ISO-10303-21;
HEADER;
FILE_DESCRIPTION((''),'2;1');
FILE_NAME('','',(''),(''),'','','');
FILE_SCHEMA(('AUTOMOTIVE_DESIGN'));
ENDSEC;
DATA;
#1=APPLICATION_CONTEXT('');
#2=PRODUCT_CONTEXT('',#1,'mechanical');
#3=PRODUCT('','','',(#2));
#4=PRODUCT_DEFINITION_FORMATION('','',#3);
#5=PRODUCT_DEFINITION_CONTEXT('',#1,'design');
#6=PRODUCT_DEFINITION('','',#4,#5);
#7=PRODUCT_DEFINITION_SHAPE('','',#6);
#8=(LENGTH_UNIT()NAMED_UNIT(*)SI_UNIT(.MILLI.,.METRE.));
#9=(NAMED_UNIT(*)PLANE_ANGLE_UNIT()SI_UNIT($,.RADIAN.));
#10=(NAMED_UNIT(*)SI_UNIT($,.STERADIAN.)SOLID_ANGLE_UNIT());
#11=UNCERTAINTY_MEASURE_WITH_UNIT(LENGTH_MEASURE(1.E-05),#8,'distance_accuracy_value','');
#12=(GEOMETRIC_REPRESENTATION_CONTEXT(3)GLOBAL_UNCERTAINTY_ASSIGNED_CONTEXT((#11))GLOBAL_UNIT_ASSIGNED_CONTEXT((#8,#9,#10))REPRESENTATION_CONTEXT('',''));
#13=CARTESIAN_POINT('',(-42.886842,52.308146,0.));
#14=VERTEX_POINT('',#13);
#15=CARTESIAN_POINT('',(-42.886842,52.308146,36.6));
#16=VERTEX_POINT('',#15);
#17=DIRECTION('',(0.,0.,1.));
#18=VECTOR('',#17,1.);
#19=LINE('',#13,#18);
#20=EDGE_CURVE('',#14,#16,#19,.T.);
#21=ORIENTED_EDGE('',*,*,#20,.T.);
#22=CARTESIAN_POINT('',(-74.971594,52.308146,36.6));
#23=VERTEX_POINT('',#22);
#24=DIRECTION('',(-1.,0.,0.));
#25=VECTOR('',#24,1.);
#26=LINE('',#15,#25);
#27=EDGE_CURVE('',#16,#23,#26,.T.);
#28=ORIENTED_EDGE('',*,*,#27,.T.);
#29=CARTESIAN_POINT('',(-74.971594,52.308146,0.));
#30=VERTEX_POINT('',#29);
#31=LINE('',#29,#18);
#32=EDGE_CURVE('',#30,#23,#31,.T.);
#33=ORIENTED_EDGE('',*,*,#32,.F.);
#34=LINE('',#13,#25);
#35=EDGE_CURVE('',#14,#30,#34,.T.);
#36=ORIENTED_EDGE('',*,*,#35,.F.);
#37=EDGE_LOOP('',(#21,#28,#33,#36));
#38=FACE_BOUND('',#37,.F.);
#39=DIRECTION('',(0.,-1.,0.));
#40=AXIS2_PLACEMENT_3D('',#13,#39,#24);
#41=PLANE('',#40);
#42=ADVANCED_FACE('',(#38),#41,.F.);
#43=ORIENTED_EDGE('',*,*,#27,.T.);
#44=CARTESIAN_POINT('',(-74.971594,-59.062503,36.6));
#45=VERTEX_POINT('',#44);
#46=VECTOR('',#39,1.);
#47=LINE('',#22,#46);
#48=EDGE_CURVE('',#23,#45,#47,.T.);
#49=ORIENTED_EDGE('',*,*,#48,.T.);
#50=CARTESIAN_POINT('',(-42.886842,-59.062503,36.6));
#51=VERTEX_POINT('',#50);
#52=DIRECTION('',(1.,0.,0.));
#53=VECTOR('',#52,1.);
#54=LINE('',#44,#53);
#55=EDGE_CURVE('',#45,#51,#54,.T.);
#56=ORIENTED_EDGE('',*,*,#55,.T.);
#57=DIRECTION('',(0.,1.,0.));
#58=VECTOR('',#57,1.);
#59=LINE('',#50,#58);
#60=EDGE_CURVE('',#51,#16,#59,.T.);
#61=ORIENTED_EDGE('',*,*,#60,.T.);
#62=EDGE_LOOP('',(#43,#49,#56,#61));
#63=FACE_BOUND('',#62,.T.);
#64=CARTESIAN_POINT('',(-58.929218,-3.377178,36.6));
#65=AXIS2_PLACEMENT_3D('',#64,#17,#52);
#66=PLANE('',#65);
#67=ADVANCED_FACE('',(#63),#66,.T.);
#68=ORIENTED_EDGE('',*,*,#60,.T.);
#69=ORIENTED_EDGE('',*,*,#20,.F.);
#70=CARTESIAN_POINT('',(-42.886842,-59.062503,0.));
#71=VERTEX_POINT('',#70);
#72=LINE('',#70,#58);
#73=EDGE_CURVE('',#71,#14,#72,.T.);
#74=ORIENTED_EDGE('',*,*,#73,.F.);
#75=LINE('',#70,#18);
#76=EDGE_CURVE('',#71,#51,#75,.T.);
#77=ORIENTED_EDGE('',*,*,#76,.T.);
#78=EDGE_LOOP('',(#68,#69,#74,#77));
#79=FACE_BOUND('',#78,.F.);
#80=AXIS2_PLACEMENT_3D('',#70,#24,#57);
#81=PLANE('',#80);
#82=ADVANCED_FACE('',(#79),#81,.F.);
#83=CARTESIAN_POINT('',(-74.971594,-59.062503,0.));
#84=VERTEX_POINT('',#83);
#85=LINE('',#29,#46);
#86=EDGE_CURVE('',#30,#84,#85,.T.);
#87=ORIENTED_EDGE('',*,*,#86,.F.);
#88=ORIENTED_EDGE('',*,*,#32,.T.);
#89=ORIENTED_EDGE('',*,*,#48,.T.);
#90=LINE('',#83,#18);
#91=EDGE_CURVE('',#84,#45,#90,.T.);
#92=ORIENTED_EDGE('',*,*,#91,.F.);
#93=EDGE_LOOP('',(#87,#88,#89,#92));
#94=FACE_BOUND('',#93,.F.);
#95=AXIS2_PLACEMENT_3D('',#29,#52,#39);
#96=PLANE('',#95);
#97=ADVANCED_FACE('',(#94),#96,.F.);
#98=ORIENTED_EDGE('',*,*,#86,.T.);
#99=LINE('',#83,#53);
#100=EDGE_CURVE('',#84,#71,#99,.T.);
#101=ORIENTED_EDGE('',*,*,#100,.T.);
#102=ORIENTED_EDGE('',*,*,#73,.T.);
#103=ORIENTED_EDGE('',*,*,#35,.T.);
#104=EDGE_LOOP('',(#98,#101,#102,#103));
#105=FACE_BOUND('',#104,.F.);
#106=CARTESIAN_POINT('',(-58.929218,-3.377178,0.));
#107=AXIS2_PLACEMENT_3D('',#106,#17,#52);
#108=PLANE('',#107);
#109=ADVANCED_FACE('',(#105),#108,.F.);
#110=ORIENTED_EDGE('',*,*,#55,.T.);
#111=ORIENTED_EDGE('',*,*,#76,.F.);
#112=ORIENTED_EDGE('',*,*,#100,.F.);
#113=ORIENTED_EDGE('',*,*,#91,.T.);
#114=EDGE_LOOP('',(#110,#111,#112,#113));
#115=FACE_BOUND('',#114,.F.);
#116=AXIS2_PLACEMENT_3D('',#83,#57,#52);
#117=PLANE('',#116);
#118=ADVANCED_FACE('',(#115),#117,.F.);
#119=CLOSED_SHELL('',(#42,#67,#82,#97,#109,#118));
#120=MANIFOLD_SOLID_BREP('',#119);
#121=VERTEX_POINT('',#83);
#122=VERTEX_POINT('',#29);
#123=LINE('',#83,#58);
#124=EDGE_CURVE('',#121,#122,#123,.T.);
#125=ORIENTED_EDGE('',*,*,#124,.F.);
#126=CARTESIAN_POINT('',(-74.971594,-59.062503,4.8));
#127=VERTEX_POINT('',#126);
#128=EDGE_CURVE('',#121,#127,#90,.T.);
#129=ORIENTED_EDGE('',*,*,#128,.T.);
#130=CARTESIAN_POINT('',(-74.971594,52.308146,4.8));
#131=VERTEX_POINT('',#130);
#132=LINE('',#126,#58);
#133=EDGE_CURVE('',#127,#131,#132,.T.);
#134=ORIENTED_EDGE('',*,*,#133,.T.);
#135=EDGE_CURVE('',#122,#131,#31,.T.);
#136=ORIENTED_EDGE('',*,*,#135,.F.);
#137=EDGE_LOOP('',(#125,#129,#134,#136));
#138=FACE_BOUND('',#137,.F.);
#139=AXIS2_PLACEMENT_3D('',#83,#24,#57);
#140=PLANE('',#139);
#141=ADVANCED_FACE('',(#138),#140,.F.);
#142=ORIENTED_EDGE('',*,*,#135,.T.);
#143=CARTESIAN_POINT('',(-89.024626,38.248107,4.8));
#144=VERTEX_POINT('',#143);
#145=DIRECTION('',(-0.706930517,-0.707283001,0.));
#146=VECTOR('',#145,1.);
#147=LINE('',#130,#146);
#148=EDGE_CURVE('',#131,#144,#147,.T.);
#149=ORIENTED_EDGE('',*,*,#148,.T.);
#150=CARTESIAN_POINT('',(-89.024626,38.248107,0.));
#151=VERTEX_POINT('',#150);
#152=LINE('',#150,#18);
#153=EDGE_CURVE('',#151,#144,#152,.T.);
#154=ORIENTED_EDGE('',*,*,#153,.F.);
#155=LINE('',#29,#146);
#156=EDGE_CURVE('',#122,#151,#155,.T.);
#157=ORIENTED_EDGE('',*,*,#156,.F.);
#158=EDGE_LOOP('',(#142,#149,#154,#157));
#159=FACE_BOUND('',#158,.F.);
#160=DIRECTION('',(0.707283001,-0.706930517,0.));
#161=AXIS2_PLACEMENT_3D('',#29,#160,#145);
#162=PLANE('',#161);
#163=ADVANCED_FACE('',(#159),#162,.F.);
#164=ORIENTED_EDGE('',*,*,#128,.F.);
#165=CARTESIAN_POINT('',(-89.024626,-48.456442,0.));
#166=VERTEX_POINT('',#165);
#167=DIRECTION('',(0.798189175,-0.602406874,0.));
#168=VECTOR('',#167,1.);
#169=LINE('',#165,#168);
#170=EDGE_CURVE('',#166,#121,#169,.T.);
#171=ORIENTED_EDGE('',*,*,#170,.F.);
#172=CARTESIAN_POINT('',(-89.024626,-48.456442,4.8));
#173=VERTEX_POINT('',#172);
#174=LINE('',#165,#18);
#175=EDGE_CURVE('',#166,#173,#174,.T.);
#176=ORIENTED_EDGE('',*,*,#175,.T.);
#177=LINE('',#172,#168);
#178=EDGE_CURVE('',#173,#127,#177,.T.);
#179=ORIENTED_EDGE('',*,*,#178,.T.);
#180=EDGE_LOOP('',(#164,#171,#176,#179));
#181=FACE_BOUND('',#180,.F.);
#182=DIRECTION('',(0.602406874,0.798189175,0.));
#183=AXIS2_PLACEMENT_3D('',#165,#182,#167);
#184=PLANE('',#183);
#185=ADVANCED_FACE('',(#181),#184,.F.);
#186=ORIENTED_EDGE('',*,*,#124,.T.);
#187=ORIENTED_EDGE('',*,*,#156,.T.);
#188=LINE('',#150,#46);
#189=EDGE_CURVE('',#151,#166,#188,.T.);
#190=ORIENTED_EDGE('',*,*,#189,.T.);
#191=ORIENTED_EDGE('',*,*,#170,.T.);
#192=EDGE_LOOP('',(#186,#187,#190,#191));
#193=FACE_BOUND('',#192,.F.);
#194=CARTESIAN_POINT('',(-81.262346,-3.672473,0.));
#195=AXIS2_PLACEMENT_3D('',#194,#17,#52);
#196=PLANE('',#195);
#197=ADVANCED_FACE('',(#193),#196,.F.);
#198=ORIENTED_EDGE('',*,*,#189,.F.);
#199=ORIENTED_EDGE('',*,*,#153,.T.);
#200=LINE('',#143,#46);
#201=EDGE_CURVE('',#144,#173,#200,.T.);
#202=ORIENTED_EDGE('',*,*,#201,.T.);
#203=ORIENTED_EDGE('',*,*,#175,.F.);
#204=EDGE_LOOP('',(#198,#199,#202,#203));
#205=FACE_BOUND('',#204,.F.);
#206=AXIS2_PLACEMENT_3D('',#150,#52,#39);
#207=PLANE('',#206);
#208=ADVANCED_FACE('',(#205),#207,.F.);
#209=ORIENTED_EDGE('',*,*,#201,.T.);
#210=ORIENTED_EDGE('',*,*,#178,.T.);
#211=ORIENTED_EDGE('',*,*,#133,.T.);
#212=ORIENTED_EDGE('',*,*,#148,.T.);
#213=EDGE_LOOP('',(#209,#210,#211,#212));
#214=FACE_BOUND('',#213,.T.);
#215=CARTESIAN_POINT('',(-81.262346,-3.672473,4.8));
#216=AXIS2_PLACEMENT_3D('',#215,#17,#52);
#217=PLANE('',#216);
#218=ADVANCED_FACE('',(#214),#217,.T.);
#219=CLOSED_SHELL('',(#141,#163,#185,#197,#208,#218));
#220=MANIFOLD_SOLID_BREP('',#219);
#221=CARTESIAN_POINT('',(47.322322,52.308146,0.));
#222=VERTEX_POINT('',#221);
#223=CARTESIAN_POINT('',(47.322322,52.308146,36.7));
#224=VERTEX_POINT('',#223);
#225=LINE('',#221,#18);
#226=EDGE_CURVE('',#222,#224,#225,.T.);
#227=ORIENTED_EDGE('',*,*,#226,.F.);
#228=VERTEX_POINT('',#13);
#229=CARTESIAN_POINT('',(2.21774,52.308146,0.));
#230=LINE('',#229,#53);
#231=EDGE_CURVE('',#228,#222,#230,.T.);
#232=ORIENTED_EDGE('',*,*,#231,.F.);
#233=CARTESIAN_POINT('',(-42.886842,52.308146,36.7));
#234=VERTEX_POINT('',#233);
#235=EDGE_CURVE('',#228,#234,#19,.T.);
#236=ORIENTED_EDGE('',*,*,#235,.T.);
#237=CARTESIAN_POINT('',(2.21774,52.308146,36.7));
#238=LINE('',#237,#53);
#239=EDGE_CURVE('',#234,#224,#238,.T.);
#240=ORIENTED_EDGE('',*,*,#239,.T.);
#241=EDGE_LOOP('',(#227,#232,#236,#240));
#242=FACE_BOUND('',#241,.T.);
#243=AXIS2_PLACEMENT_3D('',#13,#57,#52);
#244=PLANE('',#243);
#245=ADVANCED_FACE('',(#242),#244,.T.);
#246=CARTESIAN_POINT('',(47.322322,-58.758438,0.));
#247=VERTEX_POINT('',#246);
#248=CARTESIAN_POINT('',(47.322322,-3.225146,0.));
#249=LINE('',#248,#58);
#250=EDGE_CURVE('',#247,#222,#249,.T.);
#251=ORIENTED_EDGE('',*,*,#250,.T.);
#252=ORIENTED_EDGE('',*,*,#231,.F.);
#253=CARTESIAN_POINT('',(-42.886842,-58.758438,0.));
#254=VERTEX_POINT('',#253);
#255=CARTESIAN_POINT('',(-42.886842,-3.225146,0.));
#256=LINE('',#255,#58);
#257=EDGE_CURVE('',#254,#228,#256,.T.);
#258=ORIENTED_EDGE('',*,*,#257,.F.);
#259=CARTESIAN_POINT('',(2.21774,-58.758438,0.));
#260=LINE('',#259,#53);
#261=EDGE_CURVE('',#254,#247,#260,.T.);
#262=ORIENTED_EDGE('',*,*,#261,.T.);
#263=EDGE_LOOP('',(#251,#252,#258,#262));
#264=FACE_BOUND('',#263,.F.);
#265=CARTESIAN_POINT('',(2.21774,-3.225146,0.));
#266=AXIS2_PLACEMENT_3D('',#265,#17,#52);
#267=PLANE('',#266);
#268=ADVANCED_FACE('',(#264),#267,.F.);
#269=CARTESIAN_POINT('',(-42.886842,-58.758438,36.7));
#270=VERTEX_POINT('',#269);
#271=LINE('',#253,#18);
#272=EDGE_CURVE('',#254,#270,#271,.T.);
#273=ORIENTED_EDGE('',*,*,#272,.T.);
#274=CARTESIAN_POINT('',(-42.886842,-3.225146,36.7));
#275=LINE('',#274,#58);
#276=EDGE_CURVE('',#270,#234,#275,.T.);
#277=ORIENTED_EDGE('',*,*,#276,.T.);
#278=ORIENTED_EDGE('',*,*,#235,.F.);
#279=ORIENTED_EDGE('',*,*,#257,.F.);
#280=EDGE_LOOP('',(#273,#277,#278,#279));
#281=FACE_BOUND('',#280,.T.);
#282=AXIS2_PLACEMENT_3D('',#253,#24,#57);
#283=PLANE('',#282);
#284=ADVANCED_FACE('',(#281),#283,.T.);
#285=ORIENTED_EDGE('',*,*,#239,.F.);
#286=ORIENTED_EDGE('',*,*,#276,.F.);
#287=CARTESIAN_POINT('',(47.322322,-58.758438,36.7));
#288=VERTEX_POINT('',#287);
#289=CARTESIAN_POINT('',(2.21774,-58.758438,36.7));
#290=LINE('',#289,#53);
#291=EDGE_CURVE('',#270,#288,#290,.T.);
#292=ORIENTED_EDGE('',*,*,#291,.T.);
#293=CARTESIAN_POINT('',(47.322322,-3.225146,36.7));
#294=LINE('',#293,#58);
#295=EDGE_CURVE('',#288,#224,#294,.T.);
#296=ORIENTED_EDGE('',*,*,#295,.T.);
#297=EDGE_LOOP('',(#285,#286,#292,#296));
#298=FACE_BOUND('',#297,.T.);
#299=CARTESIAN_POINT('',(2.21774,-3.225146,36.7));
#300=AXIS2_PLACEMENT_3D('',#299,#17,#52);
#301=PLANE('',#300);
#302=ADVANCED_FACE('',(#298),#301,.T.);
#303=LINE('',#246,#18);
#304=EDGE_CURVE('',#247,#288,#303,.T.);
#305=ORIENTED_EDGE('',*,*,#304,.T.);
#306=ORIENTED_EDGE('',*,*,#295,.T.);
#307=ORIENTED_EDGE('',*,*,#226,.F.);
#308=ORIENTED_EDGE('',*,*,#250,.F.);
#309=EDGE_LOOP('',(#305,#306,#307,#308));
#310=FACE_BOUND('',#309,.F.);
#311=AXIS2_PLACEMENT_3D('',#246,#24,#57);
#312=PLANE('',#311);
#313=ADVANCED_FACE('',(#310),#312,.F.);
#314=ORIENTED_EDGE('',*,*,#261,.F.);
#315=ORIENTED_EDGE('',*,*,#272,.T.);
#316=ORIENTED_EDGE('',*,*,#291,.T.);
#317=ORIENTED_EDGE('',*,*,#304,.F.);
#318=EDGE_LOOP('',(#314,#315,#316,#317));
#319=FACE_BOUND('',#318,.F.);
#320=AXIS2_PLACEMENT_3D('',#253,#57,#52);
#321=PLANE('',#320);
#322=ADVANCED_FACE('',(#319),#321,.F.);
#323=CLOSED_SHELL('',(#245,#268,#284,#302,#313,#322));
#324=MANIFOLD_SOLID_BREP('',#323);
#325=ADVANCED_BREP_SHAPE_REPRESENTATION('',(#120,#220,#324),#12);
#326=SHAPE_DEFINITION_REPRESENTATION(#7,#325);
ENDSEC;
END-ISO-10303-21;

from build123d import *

# Parameters (mm, degrees)
F0_W     = 90.209164
F0_H     = 111.066584
F1_DEPTH = 36.7
F2_DEPTH = 36.6
F3_DEPTH = 4.8


with BuildPart() as f1:
    # F0 (on Top) → F1 (new body)
    with BuildSketch(Plane.XY):
        with Locations((2.21774, -3.225146)):
            Rectangle(F0_W, F0_H)
    extrude(amount=F1_DEPTH)


with BuildPart() as f2:
    # F0 (on Top) → F2 (new body)
    with BuildSketch(Plane.XY):
        Polygon((-42.886842, -58.758438), (-42.886842, 52.308146), (-74.971594, 52.308146), (-74.971594, -59.062503), (-42.886842, -59.062503), align=None)
    extrude(amount=F2_DEPTH)


with BuildPart() as f3:
    # F0 (on Top) → F3 (new body)
    with BuildSketch(Plane.XY):
        Polygon((-74.971594, -59.062503), (-74.971594, 52.308146), (-89.024626, 38.248107), (-89.024626, -48.456442), align=None)
    extrude(amount=F3_DEPTH)


solid = Compound([f1.part, f2.part, f3.part])
